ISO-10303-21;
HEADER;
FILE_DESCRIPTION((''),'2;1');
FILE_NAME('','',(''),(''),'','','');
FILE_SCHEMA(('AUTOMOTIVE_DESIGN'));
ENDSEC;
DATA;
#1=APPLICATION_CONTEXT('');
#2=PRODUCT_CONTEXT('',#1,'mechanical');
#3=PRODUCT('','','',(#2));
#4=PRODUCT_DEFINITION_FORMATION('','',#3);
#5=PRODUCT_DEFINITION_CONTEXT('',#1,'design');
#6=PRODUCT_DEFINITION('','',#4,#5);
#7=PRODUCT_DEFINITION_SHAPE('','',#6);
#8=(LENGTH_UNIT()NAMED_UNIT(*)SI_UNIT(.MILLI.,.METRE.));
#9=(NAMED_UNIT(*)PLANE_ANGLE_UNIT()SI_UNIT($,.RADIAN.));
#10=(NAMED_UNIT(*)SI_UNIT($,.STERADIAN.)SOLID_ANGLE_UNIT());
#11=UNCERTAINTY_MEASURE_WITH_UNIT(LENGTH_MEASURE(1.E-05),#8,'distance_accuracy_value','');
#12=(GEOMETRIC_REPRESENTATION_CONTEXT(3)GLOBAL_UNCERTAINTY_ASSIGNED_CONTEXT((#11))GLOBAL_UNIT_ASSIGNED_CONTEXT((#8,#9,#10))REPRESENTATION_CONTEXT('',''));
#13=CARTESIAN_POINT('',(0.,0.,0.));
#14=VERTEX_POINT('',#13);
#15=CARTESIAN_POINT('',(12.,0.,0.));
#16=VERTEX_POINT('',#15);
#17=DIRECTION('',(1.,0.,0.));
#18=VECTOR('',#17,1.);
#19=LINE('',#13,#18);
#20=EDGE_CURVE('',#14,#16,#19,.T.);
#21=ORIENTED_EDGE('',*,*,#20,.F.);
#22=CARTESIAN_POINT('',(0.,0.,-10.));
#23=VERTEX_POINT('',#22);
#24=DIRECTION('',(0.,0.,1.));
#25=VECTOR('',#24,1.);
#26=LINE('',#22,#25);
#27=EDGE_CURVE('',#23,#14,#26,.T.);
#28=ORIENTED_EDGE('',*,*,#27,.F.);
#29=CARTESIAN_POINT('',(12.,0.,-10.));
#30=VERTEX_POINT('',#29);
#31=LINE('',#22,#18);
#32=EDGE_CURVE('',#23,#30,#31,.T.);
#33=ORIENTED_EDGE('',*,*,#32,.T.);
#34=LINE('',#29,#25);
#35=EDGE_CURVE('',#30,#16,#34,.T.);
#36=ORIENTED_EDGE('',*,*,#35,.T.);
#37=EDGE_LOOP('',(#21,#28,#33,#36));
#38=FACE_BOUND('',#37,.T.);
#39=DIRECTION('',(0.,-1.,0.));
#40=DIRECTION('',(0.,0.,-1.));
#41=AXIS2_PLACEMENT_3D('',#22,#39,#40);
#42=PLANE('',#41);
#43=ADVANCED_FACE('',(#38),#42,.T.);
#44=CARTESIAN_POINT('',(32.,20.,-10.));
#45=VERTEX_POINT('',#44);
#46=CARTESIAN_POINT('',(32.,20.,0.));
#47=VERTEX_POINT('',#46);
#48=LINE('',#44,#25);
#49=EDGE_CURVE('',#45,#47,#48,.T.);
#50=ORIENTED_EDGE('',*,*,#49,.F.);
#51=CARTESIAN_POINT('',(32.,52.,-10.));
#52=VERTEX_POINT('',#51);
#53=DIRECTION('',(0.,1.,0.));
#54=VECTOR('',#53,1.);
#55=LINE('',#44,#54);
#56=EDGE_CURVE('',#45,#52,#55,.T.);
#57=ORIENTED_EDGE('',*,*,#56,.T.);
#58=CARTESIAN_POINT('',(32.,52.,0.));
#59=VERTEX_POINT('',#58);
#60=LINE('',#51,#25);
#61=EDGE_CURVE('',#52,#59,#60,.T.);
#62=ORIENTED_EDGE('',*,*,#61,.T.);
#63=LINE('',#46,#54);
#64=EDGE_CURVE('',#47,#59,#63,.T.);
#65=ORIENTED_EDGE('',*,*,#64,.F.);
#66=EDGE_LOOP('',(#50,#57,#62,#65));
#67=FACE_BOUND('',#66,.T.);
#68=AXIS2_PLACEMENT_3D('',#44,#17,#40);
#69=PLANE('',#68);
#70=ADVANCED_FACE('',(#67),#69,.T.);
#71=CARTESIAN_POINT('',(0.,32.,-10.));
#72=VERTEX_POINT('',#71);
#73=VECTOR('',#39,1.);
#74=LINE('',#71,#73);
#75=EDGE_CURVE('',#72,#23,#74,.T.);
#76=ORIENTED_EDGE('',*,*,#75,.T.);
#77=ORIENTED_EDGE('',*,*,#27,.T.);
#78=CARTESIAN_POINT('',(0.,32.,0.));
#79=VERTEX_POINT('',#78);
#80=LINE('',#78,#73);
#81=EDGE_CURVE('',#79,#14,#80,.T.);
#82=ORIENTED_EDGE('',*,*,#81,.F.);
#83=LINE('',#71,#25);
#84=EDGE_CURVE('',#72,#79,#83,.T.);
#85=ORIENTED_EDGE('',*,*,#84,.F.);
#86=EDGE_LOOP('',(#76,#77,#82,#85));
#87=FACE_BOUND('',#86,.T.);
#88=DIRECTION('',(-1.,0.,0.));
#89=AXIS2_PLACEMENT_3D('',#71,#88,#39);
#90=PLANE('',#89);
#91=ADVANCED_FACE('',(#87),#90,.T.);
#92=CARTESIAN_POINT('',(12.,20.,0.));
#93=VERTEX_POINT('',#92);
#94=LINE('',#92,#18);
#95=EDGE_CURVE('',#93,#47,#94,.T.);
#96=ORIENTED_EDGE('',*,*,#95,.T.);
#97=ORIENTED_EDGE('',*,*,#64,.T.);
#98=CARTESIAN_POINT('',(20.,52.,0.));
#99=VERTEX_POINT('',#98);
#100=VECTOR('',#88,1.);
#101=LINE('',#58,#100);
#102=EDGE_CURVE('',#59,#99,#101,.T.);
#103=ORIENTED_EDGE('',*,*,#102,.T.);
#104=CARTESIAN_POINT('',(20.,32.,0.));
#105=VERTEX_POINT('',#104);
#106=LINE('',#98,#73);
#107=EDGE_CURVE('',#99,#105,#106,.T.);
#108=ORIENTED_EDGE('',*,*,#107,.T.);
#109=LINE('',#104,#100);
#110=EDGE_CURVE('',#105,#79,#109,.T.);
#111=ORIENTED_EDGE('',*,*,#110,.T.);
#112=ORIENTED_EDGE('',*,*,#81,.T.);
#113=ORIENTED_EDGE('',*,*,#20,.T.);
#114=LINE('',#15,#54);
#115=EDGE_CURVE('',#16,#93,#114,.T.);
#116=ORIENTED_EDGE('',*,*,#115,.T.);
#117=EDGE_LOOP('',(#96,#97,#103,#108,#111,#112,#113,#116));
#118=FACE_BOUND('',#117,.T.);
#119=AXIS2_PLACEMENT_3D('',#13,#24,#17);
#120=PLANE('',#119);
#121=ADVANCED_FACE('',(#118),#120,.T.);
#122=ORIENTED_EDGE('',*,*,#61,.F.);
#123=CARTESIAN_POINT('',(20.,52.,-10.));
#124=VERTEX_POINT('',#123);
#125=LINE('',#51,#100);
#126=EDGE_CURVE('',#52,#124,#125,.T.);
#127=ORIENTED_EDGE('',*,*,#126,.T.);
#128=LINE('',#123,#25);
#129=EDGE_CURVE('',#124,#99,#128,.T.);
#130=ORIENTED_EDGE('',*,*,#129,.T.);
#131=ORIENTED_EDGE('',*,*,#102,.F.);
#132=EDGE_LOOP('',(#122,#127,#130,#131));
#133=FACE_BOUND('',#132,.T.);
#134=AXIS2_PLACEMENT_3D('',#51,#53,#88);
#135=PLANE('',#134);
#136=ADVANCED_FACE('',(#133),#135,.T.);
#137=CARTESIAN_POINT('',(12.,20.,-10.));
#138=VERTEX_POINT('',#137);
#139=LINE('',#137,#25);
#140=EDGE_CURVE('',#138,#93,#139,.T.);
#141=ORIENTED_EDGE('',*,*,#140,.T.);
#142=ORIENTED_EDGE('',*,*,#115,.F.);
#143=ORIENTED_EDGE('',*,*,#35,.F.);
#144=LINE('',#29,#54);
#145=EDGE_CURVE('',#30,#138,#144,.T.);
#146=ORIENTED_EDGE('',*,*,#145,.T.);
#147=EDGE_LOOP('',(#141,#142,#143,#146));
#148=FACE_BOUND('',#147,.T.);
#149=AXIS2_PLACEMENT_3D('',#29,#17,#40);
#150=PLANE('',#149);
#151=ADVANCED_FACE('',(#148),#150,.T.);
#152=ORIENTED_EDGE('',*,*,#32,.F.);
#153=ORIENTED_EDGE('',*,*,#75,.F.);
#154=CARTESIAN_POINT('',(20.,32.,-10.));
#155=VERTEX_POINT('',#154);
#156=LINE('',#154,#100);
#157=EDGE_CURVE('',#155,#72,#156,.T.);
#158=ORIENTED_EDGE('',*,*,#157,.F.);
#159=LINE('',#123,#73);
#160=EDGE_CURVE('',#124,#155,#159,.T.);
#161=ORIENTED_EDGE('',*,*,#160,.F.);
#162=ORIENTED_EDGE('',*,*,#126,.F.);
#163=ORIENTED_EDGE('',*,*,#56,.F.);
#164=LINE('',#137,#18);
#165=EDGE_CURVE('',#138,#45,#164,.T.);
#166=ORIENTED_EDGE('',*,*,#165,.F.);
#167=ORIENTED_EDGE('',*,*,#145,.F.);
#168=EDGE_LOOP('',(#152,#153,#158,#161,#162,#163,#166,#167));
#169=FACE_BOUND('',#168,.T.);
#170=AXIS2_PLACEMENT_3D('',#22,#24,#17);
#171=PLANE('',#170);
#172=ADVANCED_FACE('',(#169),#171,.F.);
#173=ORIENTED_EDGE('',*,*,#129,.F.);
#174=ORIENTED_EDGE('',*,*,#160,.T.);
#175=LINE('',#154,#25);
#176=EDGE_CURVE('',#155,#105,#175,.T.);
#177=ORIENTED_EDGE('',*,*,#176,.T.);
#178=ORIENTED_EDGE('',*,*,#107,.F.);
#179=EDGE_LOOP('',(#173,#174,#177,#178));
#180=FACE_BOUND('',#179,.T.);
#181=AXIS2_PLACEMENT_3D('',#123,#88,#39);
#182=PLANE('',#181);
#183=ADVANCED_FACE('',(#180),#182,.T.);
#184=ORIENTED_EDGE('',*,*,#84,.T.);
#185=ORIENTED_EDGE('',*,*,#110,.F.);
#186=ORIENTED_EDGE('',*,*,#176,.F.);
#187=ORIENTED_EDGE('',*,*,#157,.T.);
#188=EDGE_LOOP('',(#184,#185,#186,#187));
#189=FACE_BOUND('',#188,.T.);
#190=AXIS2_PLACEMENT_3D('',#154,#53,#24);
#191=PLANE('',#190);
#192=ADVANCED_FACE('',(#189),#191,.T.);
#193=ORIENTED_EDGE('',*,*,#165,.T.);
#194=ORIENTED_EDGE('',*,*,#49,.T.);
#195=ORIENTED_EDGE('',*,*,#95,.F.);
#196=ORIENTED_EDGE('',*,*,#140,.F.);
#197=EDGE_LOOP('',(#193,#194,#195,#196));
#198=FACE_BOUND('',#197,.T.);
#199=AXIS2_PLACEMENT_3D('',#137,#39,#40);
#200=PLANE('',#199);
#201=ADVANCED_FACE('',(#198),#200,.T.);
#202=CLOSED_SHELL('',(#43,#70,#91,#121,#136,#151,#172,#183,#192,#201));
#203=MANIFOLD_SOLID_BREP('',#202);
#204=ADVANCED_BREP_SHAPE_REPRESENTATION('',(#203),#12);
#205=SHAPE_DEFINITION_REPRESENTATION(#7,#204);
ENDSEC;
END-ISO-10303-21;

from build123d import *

# Parameters (mm, degrees)
EXTRUDE_1_DEPTH = 10


with BuildPart() as part:
    # 草圖1 → 填料-伸長1 (new body)
    with BuildSketch(Plane.XY):
        Polygon((0, 0), (12, 0), (12, 20), (32, 20), (32, 52), (20, 52), (20, 32), (0, 32), align=None)
    extrude(amount=-EXTRUDE_1_DEPTH)


solid = part.part
